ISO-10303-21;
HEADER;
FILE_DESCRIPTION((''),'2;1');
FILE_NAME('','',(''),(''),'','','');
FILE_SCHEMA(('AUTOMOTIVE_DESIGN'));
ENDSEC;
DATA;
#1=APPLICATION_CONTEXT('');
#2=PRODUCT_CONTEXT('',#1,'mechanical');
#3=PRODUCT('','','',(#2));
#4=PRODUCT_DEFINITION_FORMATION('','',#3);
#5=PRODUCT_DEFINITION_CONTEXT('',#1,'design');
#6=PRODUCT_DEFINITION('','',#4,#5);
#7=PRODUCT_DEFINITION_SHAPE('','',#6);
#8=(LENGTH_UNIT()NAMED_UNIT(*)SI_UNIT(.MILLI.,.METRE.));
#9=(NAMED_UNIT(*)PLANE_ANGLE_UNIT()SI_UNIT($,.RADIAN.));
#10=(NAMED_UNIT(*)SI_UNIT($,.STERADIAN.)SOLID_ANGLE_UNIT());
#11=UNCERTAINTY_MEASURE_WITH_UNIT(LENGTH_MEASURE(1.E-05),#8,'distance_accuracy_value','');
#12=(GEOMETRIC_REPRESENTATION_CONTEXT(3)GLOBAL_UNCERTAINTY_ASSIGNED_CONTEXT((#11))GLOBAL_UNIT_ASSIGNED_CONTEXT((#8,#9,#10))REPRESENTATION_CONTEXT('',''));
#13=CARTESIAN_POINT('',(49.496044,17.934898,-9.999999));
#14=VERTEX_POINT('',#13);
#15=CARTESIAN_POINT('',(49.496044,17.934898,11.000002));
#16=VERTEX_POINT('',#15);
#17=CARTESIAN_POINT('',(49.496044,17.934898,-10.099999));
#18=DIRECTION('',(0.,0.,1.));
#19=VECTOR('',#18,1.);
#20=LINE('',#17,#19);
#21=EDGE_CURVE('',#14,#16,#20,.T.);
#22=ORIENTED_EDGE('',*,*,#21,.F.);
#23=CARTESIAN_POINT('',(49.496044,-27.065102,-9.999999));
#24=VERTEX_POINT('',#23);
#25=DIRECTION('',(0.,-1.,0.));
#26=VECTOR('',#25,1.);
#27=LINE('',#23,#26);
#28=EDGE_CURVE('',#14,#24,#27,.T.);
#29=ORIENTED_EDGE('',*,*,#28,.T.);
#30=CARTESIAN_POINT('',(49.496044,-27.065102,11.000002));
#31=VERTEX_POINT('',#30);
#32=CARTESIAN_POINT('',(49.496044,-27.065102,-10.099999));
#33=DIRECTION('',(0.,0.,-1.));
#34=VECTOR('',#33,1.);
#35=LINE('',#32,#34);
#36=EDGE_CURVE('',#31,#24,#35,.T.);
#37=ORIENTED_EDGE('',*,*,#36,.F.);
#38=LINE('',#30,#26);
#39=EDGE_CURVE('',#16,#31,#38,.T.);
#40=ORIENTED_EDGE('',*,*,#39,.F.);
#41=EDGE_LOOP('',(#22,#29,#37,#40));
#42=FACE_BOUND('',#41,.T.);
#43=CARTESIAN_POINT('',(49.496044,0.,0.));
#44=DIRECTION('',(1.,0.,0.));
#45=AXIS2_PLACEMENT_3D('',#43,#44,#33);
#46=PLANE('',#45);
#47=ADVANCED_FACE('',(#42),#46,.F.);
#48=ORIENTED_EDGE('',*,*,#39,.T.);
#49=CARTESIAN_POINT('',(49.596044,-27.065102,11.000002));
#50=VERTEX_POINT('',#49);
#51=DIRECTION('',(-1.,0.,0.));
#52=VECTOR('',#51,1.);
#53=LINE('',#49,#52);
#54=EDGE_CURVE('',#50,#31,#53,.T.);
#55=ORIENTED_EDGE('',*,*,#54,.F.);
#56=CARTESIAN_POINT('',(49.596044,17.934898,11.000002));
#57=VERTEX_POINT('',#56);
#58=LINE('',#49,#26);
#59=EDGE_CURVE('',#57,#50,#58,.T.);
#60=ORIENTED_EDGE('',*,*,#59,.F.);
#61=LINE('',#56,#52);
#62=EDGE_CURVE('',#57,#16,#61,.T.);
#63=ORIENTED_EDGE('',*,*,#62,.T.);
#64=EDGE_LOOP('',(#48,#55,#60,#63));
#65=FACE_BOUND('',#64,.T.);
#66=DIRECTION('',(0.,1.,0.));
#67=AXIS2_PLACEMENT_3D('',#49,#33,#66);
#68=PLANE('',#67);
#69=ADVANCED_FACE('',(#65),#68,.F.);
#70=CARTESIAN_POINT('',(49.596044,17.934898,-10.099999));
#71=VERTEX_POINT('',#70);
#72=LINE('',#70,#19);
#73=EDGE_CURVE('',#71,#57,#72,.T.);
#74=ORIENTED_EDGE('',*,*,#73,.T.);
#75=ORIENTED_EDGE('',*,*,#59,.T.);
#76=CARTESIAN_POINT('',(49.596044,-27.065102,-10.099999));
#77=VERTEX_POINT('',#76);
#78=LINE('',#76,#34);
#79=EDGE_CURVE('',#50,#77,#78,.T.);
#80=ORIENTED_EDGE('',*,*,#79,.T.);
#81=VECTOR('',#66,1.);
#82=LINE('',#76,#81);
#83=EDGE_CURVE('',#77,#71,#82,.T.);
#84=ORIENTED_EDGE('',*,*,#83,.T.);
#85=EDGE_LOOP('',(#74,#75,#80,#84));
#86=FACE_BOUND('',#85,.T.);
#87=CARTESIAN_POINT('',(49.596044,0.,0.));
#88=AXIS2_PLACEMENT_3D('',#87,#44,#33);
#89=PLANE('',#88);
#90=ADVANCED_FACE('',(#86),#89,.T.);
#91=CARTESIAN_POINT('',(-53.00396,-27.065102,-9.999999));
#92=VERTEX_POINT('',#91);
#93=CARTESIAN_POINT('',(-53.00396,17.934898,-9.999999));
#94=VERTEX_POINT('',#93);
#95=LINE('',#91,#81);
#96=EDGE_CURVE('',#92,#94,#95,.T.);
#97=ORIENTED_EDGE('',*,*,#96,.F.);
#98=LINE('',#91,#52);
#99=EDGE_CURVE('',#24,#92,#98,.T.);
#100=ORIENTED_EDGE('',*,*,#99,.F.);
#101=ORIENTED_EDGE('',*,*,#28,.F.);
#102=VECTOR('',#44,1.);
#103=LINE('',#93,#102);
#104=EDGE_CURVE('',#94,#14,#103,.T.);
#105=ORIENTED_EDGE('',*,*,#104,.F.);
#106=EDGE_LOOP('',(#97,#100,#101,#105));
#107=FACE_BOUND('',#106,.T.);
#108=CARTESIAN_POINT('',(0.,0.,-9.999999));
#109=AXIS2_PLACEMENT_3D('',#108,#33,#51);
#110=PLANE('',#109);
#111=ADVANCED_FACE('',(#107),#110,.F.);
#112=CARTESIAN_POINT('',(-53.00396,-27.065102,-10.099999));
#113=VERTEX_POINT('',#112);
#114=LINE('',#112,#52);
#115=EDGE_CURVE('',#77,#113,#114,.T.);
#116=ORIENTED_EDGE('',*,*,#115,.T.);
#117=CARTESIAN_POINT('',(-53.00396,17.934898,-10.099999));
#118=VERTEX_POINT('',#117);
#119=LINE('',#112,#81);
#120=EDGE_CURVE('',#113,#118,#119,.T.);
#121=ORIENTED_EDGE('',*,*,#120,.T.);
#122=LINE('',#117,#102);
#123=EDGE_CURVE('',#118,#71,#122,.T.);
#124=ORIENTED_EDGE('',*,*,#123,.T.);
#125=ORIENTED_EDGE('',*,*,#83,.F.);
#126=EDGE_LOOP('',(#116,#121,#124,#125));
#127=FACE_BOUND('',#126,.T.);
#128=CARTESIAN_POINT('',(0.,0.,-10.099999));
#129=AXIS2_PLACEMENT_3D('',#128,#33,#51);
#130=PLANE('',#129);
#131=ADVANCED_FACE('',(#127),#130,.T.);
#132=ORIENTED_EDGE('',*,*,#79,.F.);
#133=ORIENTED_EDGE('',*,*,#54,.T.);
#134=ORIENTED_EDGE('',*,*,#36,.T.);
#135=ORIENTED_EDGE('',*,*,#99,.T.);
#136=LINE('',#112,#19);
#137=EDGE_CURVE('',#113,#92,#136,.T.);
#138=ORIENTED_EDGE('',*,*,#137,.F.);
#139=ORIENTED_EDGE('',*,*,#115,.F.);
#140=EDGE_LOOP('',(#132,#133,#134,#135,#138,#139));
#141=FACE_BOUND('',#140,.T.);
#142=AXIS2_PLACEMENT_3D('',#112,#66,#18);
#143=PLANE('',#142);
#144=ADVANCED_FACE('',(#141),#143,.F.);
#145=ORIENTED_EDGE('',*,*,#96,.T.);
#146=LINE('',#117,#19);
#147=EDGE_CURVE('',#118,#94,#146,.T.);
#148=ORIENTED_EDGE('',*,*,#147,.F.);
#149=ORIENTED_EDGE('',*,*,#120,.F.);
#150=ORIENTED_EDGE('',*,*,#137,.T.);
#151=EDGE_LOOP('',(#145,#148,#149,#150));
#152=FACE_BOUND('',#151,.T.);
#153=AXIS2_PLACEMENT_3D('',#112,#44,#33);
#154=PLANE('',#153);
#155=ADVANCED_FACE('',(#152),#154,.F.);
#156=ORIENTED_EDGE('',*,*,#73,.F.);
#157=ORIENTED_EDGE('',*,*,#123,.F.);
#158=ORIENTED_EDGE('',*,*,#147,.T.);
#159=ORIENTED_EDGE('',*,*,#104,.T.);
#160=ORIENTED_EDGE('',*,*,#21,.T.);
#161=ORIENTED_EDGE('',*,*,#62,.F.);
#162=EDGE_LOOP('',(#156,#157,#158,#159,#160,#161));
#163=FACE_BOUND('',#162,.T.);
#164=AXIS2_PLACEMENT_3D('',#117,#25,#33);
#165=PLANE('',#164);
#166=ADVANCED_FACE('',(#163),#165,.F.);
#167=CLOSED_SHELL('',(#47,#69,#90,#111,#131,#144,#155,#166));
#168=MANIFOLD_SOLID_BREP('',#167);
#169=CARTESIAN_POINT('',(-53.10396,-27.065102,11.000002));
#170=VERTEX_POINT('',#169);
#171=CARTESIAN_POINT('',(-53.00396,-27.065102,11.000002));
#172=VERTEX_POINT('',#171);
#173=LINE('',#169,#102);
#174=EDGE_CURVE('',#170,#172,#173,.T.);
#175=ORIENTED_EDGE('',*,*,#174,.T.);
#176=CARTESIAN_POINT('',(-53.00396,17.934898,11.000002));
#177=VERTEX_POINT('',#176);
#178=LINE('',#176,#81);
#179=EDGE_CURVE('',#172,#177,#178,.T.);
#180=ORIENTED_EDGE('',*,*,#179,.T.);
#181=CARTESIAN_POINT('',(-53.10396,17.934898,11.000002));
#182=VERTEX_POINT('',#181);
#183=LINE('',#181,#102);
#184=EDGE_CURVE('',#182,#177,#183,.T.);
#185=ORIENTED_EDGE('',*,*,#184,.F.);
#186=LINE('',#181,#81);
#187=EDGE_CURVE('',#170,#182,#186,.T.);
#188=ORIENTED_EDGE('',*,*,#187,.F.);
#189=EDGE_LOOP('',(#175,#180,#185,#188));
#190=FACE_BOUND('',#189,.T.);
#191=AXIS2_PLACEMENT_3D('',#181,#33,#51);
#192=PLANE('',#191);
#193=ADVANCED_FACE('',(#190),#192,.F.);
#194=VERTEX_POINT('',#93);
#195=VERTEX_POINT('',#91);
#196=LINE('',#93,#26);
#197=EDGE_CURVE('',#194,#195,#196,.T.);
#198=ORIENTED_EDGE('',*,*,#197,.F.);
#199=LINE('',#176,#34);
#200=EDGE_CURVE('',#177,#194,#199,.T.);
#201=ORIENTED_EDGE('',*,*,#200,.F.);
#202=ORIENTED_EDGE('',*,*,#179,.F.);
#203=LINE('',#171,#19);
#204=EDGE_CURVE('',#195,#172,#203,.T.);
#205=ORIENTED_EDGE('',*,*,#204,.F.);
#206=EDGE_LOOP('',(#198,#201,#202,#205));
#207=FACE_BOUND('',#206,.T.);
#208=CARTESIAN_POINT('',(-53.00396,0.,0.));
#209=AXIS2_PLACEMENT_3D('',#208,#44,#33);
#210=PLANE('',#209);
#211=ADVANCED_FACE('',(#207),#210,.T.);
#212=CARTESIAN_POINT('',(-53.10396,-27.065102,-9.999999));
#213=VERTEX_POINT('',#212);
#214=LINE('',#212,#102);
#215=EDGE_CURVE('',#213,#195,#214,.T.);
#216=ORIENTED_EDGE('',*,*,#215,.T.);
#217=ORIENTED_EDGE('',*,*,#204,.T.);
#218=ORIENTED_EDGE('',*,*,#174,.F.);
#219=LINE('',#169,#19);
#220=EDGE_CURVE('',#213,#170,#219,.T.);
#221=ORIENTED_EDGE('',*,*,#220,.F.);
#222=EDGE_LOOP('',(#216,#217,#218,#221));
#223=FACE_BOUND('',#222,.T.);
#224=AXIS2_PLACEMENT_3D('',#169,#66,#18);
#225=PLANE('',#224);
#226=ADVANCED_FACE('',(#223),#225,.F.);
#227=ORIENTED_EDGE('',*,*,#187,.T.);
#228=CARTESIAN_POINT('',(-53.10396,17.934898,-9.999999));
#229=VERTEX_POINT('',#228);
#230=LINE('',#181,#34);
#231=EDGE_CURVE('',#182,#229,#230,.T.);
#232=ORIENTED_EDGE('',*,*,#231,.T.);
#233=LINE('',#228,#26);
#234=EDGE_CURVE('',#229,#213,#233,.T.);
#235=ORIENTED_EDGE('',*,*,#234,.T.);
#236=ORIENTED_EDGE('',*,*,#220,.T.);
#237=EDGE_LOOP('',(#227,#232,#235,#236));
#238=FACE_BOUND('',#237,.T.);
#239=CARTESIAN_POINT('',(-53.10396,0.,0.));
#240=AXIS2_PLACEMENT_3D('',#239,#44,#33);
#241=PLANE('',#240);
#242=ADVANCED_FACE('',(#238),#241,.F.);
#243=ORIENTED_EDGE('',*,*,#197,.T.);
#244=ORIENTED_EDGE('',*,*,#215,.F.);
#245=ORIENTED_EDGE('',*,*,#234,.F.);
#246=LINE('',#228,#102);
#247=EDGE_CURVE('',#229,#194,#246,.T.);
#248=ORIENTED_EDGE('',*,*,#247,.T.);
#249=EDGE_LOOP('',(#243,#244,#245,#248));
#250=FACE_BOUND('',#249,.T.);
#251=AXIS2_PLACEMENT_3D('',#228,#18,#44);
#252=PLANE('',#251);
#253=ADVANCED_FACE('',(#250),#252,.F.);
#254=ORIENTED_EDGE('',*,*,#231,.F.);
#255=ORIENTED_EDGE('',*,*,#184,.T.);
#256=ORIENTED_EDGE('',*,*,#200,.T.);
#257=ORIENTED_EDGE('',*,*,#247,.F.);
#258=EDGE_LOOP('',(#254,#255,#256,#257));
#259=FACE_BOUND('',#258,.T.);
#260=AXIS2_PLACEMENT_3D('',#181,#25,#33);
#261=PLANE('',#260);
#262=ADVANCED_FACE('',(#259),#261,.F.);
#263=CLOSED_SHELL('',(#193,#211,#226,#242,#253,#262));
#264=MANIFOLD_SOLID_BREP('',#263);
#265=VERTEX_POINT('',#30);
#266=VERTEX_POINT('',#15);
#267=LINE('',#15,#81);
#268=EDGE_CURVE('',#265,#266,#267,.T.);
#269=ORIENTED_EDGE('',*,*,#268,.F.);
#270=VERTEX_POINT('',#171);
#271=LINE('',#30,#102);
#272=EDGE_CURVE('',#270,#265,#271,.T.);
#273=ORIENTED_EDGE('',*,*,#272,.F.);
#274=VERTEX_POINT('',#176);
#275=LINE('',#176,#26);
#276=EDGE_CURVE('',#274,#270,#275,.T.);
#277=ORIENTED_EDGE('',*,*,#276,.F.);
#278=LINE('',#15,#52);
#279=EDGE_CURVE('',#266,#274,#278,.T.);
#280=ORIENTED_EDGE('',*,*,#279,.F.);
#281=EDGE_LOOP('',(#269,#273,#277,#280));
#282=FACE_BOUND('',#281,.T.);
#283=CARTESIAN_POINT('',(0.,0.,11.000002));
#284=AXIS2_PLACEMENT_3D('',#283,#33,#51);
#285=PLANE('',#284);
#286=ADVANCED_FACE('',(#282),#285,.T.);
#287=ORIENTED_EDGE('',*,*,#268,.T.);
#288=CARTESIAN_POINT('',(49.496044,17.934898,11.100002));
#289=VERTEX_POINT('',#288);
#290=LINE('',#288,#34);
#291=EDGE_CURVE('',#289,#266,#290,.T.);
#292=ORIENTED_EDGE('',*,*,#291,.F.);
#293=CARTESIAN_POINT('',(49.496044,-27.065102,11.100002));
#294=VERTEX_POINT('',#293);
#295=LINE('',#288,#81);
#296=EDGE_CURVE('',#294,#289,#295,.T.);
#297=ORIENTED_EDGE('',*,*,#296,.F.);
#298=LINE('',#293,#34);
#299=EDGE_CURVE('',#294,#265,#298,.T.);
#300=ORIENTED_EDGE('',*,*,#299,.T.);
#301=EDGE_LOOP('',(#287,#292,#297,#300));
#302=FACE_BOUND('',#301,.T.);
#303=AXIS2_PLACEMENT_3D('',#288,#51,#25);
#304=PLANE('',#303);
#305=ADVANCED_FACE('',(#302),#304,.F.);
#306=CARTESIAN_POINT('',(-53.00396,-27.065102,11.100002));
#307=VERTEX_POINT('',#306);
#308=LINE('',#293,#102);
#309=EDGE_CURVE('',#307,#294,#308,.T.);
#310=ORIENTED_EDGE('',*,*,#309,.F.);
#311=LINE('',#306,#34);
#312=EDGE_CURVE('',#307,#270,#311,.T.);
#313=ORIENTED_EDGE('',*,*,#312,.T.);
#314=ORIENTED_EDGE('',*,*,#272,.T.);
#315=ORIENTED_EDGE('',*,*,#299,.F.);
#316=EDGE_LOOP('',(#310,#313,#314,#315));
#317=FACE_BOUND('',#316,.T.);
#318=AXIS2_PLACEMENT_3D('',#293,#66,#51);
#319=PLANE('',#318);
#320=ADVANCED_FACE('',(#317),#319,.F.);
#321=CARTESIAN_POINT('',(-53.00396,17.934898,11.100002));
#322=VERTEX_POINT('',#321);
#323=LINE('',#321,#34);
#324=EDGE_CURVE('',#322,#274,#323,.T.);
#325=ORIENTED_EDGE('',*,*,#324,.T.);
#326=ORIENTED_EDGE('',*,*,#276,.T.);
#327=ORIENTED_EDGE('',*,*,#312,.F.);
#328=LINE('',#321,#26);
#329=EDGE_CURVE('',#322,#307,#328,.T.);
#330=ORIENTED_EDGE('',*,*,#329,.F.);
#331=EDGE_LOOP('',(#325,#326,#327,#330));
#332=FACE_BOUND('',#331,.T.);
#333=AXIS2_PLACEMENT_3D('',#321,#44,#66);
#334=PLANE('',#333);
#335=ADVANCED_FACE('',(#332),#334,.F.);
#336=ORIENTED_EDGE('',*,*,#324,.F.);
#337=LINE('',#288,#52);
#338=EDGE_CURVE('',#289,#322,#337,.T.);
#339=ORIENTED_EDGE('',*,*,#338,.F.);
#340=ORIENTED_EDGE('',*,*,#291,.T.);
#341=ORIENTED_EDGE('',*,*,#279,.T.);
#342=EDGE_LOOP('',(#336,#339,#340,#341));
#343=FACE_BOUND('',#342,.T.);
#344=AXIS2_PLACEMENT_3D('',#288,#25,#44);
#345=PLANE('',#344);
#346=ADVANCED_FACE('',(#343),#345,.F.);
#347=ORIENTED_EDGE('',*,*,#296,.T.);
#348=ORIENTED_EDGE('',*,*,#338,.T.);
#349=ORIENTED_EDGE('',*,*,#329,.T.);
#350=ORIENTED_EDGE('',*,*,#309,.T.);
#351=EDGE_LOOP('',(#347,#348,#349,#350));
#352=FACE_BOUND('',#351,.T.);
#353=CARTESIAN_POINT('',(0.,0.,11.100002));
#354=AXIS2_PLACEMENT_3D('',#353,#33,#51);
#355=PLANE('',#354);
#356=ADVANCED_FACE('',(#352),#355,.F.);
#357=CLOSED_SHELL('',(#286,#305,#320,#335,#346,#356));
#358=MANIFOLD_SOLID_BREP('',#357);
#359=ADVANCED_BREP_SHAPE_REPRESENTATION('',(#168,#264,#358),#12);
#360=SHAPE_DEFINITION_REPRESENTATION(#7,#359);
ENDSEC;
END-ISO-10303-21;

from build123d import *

# Parameters (mm, degrees)
CROQUIS1_W              = 102.500003815
CROQUIS1_H              = 45
SALIENTE_EXTRUIR1_DEPTH = 0.1
CROQUIS2_W              = 21.100000953
CROQUIS2_H              = 45
SALIENTE_EXTRUIR2_DEPTH = 0.1
CROQUIS3_W              = 102.500003815
CROQUIS3_H              = 45
SALIENTE_EXTRUIR3_DEPTH = 0.1
CROQUIS4_W              = 21.000000953
CROQUIS4_H              = 45
SALIENTE_EXTRUIR4_DEPTH = 0.1


with BuildPart() as part:
    # Croquis1 → Saliente-Extruir1 (new body)
    with BuildSketch(Plane(origin=(0, 0, -9.999999046), x_dir=(-1, 0, 0), z_dir=(0, 0, -1))):
        with Locations((1.753957749, -4.565101624)):
            Rectangle(CROQUIS1_W, CROQUIS1_H)
    extrude(amount=SALIENTE_EXTRUIR1_DEPTH)

    # Croquis2 → Saliente-Extruir2 (add)
    with BuildSketch(Plane(origin=(49.496044159, 0, 0), x_dir=(0, 0, -1), z_dir=(1, 0, 0))):
        with Locations((-0.450001431, -4.565101624)):
            Rectangle(CROQUIS2_W, CROQUIS2_H)
    extrude(amount=SALIENTE_EXTRUIR2_DEPTH)


with BuildPart() as body_2:
    # Croquis3 → Saliente-Extruir3 (new body)
    with BuildSketch(Plane.XY.offset(11.000001907)):
        with Locations((-1.753957749, -4.565101624)):
            Rectangle(CROQUIS3_W, CROQUIS3_H)
    extrude(amount=SALIENTE_EXTRUIR3_DEPTH)


with BuildPart() as body_3:
    # Croquis4 → Saliente-Extruir4 (new body)
    with BuildSketch(Plane.ZY.offset(53.003959656)):
        with Locations((0.500001431, -4.565101624)):
            Rectangle(CROQUIS4_W, CROQUIS4_H)
    extrude(amount=SALIENTE_EXTRUIR4_DEPTH)


solid = Compound([part.part, body_2.part, body_3.part])
